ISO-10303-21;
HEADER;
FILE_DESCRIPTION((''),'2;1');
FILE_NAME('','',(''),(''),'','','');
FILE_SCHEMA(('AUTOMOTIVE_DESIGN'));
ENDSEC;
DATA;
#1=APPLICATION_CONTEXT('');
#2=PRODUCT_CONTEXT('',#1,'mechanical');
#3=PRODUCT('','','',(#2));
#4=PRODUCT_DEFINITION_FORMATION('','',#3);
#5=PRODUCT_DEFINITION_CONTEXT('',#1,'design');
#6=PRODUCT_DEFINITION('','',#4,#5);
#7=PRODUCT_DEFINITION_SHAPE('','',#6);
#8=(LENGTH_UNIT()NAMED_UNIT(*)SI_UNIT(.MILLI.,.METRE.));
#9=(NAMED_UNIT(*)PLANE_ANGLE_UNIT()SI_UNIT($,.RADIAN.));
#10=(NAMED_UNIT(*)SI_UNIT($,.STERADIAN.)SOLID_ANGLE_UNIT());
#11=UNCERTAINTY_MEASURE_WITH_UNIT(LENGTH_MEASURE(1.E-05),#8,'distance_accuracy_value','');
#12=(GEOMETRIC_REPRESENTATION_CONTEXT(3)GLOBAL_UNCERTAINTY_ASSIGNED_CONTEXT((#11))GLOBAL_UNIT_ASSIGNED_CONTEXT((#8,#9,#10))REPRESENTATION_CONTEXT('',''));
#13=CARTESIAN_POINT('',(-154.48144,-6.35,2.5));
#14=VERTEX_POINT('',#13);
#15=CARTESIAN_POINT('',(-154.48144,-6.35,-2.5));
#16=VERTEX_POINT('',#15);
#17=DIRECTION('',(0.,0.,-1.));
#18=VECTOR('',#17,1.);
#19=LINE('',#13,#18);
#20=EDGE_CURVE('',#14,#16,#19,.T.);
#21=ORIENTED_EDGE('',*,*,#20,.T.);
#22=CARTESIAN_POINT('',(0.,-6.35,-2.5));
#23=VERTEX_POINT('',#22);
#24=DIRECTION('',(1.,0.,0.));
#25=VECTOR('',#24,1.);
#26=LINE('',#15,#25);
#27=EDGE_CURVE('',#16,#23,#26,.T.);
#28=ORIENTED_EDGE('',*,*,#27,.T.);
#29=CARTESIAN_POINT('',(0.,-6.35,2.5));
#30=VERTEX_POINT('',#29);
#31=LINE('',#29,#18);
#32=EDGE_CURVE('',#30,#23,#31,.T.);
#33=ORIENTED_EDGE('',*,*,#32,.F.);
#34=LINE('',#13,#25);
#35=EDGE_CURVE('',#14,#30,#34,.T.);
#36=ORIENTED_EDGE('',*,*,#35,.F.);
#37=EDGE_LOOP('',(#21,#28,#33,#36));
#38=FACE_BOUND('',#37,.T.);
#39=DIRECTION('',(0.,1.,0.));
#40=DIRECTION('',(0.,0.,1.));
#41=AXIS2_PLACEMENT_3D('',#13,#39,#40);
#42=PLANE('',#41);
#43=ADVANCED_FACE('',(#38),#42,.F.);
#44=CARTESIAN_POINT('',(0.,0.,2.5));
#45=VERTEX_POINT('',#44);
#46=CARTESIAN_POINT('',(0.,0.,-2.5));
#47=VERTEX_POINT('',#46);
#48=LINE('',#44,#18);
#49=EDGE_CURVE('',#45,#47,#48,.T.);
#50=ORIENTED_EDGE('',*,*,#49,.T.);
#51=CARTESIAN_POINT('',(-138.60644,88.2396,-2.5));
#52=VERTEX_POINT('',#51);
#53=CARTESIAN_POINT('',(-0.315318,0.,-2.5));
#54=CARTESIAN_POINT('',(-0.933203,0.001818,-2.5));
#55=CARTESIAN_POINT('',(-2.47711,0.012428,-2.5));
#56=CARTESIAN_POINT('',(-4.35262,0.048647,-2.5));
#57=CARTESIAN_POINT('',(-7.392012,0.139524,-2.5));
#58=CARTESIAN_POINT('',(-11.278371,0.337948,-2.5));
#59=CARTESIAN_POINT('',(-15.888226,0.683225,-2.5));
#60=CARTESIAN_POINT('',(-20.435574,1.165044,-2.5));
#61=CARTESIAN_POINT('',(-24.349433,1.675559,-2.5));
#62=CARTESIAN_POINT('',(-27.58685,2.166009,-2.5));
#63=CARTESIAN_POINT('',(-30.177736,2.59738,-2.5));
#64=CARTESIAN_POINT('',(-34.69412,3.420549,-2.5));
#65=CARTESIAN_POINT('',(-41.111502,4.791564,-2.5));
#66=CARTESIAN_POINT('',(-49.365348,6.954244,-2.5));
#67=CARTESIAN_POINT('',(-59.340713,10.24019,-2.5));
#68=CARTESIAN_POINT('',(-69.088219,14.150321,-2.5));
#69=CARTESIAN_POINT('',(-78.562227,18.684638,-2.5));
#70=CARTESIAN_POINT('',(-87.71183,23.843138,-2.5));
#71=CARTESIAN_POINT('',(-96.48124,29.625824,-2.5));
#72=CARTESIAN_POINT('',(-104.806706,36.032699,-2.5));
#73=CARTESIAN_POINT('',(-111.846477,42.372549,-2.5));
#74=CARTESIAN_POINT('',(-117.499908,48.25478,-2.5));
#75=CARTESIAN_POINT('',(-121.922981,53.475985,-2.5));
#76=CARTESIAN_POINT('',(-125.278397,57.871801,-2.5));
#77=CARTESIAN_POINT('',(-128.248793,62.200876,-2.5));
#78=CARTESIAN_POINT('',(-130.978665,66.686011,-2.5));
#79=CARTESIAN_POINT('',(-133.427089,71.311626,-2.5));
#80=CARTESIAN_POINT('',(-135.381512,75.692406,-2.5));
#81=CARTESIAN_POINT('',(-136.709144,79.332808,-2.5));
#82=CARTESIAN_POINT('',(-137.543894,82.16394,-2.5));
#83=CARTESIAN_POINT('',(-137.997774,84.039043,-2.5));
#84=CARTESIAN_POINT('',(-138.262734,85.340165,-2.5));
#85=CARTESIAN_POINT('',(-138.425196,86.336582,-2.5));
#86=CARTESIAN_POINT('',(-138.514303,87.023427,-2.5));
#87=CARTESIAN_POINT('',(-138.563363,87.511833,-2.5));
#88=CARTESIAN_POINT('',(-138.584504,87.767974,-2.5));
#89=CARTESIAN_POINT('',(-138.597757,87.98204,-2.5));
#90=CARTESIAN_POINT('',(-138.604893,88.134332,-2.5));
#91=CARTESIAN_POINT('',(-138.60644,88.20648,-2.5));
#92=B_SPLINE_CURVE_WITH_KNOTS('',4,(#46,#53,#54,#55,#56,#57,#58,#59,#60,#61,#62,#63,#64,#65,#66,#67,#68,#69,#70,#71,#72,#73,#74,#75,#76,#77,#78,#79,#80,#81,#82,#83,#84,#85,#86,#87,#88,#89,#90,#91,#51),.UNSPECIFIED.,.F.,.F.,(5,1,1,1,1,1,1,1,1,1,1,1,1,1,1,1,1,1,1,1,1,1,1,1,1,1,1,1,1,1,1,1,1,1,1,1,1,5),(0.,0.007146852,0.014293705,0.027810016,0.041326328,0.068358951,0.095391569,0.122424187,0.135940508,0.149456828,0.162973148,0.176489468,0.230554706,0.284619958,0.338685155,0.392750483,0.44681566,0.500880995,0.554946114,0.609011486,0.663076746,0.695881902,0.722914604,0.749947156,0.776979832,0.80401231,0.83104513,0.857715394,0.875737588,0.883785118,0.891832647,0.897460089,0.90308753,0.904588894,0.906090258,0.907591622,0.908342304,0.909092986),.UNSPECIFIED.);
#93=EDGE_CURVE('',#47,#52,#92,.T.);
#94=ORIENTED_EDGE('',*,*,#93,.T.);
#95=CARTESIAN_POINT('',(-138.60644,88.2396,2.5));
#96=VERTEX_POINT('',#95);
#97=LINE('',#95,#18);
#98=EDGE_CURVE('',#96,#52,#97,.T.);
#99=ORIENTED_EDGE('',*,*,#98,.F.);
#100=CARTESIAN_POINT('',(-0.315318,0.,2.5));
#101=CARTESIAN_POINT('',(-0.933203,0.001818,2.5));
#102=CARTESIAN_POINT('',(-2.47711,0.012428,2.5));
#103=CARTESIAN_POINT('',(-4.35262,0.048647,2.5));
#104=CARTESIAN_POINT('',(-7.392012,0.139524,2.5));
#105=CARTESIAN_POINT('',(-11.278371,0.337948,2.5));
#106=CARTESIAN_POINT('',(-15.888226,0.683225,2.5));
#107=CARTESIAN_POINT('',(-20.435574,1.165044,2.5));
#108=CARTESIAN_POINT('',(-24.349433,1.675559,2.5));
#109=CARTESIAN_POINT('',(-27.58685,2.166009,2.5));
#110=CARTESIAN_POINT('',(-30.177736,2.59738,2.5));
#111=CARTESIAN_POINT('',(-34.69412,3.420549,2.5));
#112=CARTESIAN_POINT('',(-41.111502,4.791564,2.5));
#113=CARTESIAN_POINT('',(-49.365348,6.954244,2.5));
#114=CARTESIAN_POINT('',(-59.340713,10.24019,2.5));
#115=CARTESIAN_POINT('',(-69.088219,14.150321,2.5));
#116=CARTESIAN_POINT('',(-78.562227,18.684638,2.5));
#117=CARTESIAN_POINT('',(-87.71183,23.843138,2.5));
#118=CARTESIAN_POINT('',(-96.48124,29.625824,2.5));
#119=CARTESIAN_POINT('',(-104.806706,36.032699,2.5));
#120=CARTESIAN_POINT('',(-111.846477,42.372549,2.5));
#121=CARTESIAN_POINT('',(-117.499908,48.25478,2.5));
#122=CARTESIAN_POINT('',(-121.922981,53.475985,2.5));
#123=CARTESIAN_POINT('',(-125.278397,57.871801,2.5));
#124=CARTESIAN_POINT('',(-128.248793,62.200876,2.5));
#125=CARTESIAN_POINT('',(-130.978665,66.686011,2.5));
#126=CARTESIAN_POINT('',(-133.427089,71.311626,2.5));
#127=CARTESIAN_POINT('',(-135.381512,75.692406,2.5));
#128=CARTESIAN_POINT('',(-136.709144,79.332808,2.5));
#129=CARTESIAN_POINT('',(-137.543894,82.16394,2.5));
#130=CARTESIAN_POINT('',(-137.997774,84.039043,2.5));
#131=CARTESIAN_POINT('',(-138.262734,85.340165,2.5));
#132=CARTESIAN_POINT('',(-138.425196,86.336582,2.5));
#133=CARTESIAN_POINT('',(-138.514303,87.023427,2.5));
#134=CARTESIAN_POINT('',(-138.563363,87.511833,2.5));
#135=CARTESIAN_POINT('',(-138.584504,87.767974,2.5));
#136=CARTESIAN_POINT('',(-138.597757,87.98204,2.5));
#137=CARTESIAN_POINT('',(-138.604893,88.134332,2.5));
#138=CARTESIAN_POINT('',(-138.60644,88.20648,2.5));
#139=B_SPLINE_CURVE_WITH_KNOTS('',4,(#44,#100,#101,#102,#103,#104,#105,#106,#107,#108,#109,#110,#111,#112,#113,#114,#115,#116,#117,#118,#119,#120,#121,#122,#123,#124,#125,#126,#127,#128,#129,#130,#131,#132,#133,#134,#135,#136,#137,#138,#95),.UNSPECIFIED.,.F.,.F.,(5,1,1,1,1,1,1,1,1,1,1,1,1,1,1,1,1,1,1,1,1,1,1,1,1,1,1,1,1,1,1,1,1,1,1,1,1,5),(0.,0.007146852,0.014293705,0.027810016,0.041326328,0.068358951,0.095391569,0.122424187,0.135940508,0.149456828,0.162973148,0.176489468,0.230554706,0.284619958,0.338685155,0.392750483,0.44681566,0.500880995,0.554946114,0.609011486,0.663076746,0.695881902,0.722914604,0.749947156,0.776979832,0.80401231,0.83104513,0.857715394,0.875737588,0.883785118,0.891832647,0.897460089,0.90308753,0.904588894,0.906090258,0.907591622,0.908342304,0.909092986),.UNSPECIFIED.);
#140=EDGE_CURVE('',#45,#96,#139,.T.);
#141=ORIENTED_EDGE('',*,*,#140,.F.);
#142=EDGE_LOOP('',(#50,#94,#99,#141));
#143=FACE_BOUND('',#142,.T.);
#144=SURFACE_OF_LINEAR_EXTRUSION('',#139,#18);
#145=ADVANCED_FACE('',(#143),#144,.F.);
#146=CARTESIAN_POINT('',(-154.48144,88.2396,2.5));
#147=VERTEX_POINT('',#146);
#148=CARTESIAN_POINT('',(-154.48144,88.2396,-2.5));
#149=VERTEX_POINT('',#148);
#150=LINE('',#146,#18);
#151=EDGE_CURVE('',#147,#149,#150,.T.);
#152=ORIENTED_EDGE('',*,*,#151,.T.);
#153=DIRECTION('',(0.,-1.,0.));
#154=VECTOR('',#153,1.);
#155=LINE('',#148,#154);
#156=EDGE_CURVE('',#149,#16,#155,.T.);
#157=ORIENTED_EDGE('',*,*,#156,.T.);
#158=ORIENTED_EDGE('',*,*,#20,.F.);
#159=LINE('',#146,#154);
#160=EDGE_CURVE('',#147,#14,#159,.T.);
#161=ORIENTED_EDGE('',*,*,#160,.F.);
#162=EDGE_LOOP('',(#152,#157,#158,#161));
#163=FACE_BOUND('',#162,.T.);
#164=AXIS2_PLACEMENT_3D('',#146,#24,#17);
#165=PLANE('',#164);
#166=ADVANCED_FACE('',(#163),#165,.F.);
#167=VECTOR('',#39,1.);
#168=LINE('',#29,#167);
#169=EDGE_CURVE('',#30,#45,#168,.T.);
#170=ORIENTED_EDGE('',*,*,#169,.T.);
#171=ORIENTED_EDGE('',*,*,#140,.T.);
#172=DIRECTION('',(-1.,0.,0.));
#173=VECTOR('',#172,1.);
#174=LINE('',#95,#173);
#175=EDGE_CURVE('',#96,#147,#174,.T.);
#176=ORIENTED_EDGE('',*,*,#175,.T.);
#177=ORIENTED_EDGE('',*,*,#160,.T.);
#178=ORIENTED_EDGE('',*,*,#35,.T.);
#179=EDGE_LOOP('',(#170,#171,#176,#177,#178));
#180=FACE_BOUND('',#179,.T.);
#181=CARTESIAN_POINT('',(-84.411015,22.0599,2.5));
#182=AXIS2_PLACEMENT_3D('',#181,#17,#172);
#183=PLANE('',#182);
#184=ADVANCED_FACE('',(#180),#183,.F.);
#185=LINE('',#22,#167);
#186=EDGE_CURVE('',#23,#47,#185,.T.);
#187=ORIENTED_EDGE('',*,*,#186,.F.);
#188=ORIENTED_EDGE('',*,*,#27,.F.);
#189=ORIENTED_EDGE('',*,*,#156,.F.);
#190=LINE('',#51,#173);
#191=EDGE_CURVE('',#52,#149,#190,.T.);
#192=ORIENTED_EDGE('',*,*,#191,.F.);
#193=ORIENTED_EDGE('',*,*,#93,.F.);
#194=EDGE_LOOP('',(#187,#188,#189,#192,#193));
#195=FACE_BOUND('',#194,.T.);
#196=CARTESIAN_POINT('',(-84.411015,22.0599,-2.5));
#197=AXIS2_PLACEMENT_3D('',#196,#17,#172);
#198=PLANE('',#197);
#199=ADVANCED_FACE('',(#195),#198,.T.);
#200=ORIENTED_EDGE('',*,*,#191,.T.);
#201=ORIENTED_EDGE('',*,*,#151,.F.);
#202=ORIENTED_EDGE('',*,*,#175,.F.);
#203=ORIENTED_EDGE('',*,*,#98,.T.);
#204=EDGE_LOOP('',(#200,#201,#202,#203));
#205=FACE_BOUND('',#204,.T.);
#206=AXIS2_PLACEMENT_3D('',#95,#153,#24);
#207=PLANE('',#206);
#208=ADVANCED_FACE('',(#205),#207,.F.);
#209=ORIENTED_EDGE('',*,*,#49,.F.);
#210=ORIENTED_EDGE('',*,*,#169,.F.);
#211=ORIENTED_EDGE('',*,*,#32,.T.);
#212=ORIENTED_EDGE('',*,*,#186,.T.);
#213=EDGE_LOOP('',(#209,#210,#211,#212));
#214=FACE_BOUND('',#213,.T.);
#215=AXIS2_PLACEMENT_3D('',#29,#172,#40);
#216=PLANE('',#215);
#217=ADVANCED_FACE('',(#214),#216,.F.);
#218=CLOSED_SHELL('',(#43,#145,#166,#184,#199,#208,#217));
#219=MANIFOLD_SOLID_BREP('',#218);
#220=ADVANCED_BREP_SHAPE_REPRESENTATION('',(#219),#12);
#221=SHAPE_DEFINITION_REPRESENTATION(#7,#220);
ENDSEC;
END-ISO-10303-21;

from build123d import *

# Parameters (mm, degrees)
BOSS_EXTRUDE1_DEPTH = 2.5


with BuildPart() as part:
    # Sketch1 → Boss-Extrude1 (new, symmetric)
    with BuildSketch(Plane.XY):
        with BuildLine():
            Line((-138.606439558, 88.2396), (-154.481439558, 88.2396))
            Line((-154.481439558, 88.2396), (-154.481439558, -6.35))
            Line((-154.481439558, -6.35), (0, -6.35))
            Line((0, -6.35), (0, 0))
            add(Edge.make_bspline(
                [(-138.606439558, 88.2396), (-138.606439558, 88.206480064), (-138.604893224, 88.134332137), (-138.597757085, 87.982040168), (-138.584504009, 87.767973581), (-138.563362589, 87.511833211), (-138.514302662, 87.023426652), (-138.425196169, 86.336581908), (-138.262733573, 85.340165391), (-137.997774346, 84.039042844), (-137.543893872, 82.163940465), (-136.709143666, 79.332808223), (-135.381511976, 75.692405853), (-133.427089014, 71.311625777), (-130.978665346, 66.686011286), (-128.248792738, 62.200876138), (-125.278396767, 57.871801388), (-121.922980854, 53.47598485), (-117.499907722, 48.25477976), (-111.846477366, 42.372548658), (-104.806706424, 36.032698765), (-96.481239759, 29.625824358), (-87.711829988, 23.843138375), (-78.562226684, 18.684637722), (-69.088219119, 14.150320925), (-59.340712588, 10.240190432), (-49.365347684, 6.954244107), (-41.111501611, 4.791563651), (-34.694119901, 3.420549472), (-30.177735786, 2.597379945), (-27.586849558, 2.166008761), (-24.349433278, 1.675559443), (-20.435573897, 1.165043535), (-15.888225625, 0.68322541), (-11.278370624, 0.337947753), (-7.392012303, 0.139524343), (-4.35262006, 0.048647043), (-2.477110072, 0.012428268), (-0.93320285, 0.001817838), (-0.315317676, 0), (0, 0)],
                knots=[0, 0, 0, 0, 0, 0.000750682, 0.001501364, 0.003002728, 0.004504092, 0.006005456, 0.011632897, 0.017260339, 0.025307868, 0.033355398, 0.051377592, 0.078047856, 0.105080676, 0.132113154, 0.15914583, 0.186178382, 0.213211084, 0.24601624, 0.3000815, 0.354146872, 0.408211991, 0.462277325, 0.516342503, 0.570407831, 0.624473028, 0.67853828, 0.732603517, 0.746119838, 0.759636158, 0.773152478, 0.786668798, 0.813701417, 0.840734035, 0.867766658, 0.88128297, 0.894799281, 0.901946134, 0.909092986, 0.909092986, 0.909092986, 0.909092986, 0.909092986], degree=4))
        make_face()
    extrude(amount=BOSS_EXTRUDE1_DEPTH, both=True)


solid = part.part
